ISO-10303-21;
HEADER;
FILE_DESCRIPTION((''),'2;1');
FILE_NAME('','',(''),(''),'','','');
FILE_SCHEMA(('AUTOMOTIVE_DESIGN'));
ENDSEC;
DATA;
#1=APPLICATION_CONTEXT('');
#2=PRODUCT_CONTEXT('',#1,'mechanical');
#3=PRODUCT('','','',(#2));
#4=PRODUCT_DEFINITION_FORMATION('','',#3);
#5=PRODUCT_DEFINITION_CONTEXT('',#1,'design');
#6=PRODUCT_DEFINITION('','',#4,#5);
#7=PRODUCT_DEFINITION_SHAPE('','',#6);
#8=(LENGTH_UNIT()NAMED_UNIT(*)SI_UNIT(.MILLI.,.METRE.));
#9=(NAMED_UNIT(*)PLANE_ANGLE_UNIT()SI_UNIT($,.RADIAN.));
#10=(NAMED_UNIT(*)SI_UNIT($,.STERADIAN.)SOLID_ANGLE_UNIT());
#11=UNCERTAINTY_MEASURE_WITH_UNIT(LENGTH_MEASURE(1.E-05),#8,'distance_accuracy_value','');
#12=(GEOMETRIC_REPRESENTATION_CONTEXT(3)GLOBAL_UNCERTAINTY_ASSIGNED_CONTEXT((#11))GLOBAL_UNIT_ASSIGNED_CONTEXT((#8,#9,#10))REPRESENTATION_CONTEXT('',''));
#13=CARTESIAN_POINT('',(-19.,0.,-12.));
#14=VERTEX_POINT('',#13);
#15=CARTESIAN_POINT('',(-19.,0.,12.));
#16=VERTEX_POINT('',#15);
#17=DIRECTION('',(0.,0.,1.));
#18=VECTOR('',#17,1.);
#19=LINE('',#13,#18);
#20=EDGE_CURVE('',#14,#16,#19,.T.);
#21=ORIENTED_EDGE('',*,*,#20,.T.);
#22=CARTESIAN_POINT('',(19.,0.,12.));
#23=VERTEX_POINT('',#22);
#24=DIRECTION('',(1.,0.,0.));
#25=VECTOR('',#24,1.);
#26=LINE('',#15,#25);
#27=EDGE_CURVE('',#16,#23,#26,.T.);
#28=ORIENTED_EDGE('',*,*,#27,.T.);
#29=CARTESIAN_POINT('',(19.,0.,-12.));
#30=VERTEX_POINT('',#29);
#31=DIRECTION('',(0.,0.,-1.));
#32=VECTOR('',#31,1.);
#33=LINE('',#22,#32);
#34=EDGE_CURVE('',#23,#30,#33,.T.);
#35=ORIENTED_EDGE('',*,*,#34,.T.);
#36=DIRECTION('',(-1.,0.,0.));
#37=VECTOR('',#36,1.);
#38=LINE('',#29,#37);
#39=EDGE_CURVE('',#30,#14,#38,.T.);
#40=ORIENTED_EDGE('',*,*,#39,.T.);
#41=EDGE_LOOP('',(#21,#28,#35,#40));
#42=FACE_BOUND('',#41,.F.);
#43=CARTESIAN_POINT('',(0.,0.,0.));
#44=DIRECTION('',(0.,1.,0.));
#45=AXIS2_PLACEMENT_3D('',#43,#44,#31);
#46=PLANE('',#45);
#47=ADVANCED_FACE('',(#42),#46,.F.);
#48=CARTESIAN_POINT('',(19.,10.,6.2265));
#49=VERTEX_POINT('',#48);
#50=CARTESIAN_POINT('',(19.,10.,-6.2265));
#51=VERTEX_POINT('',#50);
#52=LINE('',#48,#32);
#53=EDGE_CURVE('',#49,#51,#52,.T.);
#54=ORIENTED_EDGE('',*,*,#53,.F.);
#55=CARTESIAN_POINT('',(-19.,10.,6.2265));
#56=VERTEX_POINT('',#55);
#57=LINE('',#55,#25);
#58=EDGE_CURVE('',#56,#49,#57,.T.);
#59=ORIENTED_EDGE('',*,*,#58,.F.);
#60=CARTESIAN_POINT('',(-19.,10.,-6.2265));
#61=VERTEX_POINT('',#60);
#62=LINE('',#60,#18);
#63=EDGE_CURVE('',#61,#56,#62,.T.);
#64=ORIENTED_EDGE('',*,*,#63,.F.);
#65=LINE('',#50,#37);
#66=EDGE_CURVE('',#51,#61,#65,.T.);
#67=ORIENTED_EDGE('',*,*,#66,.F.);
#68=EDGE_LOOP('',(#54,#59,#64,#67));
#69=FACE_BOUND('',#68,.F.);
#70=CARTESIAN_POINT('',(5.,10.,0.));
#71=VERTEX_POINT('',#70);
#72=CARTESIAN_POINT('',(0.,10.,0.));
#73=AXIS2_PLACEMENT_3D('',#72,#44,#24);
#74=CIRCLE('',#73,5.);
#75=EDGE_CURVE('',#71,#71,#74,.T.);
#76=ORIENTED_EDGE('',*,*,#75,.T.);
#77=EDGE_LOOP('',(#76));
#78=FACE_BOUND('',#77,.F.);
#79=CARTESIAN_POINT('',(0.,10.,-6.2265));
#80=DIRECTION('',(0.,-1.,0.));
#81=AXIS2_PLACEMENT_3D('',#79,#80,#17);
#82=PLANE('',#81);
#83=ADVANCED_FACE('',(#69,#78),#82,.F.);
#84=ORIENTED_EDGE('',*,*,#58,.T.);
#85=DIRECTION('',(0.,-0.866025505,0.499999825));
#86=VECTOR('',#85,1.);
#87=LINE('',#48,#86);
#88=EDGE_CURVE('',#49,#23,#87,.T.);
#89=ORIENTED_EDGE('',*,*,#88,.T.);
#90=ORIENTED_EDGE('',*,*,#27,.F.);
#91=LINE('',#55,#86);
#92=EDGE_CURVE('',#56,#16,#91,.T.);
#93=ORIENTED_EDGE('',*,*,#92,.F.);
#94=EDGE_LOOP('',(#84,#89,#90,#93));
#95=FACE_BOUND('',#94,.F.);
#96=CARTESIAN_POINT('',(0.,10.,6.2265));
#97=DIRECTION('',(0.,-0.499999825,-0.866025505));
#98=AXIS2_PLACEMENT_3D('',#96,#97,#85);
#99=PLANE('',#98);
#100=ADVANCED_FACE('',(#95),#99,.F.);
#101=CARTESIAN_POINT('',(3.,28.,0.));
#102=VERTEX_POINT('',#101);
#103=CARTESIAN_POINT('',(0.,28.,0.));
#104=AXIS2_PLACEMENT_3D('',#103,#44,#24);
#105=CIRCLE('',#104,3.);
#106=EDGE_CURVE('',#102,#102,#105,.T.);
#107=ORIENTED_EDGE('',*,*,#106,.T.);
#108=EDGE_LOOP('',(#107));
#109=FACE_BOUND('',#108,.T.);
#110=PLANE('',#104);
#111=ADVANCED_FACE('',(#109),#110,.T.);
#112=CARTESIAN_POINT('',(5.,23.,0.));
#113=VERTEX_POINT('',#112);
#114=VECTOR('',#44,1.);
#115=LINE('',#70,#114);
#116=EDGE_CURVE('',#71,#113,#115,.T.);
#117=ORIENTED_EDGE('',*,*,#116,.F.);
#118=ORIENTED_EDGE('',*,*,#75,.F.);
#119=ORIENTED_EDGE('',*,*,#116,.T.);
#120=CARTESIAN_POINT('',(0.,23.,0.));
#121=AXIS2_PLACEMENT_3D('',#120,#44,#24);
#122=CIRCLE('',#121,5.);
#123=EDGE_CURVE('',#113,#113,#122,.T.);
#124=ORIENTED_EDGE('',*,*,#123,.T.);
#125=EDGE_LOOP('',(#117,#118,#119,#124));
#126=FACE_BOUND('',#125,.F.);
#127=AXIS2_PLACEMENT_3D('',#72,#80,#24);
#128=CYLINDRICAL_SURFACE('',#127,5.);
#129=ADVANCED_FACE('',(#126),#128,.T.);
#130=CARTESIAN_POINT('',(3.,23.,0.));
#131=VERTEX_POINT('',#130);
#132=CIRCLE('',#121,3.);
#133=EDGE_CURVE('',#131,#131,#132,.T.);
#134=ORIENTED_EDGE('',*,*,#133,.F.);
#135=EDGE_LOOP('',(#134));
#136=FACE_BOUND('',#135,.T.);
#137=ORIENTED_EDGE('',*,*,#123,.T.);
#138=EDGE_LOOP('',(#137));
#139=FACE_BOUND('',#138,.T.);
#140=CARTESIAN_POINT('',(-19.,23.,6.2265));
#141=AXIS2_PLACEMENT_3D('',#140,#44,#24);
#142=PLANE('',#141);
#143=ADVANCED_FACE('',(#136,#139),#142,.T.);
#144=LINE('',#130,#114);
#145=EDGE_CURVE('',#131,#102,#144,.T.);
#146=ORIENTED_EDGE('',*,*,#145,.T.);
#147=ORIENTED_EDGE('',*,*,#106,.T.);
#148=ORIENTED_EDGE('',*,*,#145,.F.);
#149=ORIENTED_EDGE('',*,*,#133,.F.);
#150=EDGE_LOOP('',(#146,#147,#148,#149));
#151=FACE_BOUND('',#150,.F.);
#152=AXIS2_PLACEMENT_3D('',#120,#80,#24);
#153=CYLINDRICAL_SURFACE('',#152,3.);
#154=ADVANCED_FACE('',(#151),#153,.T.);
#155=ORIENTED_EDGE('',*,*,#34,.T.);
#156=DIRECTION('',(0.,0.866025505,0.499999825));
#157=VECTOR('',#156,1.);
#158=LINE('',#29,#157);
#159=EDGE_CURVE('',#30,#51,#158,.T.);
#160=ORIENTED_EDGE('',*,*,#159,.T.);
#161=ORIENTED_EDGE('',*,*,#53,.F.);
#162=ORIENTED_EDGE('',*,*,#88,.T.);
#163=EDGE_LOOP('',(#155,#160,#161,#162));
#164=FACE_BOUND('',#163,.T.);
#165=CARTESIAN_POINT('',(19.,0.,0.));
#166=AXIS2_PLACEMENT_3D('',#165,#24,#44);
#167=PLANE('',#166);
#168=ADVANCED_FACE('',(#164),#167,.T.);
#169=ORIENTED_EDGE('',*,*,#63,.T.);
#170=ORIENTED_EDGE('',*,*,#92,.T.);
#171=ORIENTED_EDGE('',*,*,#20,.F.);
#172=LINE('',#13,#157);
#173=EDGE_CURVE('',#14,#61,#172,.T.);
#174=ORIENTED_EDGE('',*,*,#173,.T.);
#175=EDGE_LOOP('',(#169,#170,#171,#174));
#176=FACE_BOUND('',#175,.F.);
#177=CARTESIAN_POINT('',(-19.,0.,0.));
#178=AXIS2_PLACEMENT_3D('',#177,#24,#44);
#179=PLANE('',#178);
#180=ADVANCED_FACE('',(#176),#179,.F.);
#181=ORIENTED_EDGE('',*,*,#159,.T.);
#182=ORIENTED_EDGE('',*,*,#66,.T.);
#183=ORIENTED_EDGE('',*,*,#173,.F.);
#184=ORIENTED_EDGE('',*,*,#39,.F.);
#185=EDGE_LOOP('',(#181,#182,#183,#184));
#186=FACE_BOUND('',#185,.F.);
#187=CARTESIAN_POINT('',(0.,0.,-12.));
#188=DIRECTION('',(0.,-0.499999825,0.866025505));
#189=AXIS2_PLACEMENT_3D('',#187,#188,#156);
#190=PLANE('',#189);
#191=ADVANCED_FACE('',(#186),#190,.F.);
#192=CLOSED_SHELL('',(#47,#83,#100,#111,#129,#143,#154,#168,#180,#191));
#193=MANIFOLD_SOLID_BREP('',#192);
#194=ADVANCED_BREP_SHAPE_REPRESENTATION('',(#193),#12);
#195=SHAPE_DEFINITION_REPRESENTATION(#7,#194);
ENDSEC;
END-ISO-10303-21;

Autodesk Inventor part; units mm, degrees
ref_plane "YZ Plane" through (0, 0, 0) normal (1, 0, 0) x (0, 1, 0)
ref_plane "XZ Plane" through (0, 0, 0) normal (0, 1, 0) x (-1, 0, 0)
ref_plane "XY Plane" through (0, 0, 0) normal (0, 0, 1) x (1, 0, 0)
sketch "Sketch4" plane through (0, 0, 0) normal (1, 0, 0) x (0, 1, 0)
  line L0 (0, 0) -> (0, -12)
  line L1 (0, -12) -> (10, -6.2265)
  line L2 (10, -6.2265) -> (10, 6.2265)
  line L3 (10, 6.2265) -> (0, 12)
  line L4 (0, 12) -> (0, 0)
  line L5 (0, 0) -> (10, 0)
  dimension "d31" = 60
  dimension "d32" = 60
  dimension "d33" = 10
  dimension "d34" = 12
extrude "Extrusion3" add sketch "Sketch4" along normal mid plane 38
sketch "Sketch5" plane through (-19, 10, 6.2265) normal (0, 1, 0) x (1, 0, 0)
  circle A0 centre (19, 6.2265) radius 5
  dimension "d37" = 10
extrude "Extrusion4" add sketch "Sketch5" along normal blind 13
sketch "Sketch6" plane through (0, 23, 0) normal (0, 1, 0) x (1, 0, 0)
  circle A0 centre (0, 0) radius 3
  point P0 (0, 0)
  dimension "d40" = 6
extrude "Extrusion5" add sketch "Sketch6" along normal blind 5
properties part number "Sketch" material "Acero inoxidable, austenítico"
